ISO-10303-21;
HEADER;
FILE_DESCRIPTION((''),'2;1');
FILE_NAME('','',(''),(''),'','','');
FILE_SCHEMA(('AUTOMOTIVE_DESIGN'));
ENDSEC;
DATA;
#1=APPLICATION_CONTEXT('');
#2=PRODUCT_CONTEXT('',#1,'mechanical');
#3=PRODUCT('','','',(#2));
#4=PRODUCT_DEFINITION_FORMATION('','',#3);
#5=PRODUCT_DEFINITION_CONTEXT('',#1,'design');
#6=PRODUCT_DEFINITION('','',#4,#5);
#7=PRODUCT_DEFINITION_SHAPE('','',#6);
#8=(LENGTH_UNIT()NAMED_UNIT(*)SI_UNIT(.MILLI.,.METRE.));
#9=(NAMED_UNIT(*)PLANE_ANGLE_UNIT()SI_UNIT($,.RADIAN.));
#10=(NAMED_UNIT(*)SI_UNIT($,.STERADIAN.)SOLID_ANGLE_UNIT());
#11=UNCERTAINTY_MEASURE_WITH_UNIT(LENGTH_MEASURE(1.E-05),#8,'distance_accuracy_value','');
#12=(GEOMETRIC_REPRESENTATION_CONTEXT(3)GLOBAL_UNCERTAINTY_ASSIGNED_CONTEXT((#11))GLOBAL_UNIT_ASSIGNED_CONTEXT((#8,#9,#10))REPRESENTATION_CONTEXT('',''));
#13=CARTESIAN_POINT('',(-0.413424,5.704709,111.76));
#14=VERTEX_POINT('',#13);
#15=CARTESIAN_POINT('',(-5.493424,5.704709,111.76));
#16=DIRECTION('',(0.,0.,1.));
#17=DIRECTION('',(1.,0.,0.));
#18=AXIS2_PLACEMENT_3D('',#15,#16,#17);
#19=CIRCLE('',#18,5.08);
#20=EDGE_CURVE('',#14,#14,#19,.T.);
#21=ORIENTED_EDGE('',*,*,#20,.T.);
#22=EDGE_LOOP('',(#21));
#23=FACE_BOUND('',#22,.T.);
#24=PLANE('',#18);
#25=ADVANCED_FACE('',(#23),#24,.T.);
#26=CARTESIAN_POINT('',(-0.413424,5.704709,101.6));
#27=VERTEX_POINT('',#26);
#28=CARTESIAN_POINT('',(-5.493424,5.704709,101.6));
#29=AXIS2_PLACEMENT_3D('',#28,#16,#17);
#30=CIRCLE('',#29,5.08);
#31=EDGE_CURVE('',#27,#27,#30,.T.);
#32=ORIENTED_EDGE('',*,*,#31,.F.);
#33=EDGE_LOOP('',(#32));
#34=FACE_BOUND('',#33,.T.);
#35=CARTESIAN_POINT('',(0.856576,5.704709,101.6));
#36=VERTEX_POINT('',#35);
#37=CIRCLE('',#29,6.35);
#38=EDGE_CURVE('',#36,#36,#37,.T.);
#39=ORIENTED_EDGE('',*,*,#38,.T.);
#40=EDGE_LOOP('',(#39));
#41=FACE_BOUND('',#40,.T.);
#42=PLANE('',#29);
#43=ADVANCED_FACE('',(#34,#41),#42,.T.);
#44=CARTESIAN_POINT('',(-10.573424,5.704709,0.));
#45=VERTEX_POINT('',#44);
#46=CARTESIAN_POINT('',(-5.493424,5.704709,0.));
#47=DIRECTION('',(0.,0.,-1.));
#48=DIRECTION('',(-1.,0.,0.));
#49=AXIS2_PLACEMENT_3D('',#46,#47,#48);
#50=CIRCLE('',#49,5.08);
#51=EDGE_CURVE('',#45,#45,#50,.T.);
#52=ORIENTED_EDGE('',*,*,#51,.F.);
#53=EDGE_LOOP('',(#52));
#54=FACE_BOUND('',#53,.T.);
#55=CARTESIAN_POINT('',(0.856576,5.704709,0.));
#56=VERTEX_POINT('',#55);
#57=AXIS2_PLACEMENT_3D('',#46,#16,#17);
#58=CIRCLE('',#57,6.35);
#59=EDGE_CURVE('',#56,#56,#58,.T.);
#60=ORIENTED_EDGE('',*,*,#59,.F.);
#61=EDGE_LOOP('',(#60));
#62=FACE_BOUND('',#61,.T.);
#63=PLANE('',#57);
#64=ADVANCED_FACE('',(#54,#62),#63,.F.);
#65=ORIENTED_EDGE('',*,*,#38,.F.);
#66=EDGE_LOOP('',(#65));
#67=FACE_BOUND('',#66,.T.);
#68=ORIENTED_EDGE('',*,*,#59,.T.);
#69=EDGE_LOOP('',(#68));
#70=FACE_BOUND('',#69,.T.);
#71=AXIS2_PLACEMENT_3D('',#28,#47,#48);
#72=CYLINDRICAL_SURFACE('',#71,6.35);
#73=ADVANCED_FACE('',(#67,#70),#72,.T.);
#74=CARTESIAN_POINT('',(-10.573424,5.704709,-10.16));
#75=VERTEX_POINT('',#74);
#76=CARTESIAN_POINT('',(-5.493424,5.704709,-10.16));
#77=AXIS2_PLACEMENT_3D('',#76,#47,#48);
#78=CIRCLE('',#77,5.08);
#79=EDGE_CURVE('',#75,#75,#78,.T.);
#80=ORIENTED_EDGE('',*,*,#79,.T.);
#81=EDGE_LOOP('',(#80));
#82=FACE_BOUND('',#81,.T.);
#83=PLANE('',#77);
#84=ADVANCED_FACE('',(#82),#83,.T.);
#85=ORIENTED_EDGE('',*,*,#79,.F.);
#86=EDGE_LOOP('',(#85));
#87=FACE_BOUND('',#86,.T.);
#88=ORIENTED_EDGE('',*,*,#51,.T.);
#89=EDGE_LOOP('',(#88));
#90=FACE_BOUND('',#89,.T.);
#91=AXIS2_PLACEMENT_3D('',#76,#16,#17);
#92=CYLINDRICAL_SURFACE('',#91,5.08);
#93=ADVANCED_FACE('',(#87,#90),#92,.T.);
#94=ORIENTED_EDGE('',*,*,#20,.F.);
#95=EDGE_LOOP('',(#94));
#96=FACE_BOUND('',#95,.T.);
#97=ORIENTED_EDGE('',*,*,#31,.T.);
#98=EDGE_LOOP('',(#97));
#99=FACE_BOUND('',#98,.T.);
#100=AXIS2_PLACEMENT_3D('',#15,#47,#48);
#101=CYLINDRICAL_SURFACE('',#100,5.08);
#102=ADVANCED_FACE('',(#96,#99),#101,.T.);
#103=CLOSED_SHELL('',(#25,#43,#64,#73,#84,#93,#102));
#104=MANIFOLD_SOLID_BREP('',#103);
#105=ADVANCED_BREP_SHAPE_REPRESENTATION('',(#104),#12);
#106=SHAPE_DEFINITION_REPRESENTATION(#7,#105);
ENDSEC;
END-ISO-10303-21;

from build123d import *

# Parameters (mm, degrees)
SKETCH1_R            = 6.35
BOSS_EXTRUDE2_DEPTH  = 101.6
SKETCH5_R            = 5.08
BOSS_EXTRUDE14_DEPTH = 10.16
SKETCH9_R            = 5.08
BOSS_EXTRUDE15_DEPTH = 10.16


with BuildPart() as part:
    # Sketch1 → Boss-Extrude2 (new body)
    with BuildSketch(Plane.XY):
        with Locations((-5.49342359, 5.704709113)):
            Circle(SKETCH1_R)
    extrude(amount=BOSS_EXTRUDE2_DEPTH)

    # Sketch5 → Boss-Extrude14 (add)
    with BuildSketch(Plane.XY.offset(101.6)):
        with Locations((-5.49342359, 5.704709113)):
            Circle(SKETCH5_R)
    extrude(amount=BOSS_EXTRUDE14_DEPTH)

    # Sketch9 → Boss-Extrude15 (add)
    with BuildSketch(Plane(origin=(0, 0, 0), x_dir=(-1, 0, 0), z_dir=(0, 0, -1))):
        with Locations((5.49342359, 5.704709113)):
            Circle(SKETCH9_R)
    extrude(amount=BOSS_EXTRUDE15_DEPTH)


solid = part.part
